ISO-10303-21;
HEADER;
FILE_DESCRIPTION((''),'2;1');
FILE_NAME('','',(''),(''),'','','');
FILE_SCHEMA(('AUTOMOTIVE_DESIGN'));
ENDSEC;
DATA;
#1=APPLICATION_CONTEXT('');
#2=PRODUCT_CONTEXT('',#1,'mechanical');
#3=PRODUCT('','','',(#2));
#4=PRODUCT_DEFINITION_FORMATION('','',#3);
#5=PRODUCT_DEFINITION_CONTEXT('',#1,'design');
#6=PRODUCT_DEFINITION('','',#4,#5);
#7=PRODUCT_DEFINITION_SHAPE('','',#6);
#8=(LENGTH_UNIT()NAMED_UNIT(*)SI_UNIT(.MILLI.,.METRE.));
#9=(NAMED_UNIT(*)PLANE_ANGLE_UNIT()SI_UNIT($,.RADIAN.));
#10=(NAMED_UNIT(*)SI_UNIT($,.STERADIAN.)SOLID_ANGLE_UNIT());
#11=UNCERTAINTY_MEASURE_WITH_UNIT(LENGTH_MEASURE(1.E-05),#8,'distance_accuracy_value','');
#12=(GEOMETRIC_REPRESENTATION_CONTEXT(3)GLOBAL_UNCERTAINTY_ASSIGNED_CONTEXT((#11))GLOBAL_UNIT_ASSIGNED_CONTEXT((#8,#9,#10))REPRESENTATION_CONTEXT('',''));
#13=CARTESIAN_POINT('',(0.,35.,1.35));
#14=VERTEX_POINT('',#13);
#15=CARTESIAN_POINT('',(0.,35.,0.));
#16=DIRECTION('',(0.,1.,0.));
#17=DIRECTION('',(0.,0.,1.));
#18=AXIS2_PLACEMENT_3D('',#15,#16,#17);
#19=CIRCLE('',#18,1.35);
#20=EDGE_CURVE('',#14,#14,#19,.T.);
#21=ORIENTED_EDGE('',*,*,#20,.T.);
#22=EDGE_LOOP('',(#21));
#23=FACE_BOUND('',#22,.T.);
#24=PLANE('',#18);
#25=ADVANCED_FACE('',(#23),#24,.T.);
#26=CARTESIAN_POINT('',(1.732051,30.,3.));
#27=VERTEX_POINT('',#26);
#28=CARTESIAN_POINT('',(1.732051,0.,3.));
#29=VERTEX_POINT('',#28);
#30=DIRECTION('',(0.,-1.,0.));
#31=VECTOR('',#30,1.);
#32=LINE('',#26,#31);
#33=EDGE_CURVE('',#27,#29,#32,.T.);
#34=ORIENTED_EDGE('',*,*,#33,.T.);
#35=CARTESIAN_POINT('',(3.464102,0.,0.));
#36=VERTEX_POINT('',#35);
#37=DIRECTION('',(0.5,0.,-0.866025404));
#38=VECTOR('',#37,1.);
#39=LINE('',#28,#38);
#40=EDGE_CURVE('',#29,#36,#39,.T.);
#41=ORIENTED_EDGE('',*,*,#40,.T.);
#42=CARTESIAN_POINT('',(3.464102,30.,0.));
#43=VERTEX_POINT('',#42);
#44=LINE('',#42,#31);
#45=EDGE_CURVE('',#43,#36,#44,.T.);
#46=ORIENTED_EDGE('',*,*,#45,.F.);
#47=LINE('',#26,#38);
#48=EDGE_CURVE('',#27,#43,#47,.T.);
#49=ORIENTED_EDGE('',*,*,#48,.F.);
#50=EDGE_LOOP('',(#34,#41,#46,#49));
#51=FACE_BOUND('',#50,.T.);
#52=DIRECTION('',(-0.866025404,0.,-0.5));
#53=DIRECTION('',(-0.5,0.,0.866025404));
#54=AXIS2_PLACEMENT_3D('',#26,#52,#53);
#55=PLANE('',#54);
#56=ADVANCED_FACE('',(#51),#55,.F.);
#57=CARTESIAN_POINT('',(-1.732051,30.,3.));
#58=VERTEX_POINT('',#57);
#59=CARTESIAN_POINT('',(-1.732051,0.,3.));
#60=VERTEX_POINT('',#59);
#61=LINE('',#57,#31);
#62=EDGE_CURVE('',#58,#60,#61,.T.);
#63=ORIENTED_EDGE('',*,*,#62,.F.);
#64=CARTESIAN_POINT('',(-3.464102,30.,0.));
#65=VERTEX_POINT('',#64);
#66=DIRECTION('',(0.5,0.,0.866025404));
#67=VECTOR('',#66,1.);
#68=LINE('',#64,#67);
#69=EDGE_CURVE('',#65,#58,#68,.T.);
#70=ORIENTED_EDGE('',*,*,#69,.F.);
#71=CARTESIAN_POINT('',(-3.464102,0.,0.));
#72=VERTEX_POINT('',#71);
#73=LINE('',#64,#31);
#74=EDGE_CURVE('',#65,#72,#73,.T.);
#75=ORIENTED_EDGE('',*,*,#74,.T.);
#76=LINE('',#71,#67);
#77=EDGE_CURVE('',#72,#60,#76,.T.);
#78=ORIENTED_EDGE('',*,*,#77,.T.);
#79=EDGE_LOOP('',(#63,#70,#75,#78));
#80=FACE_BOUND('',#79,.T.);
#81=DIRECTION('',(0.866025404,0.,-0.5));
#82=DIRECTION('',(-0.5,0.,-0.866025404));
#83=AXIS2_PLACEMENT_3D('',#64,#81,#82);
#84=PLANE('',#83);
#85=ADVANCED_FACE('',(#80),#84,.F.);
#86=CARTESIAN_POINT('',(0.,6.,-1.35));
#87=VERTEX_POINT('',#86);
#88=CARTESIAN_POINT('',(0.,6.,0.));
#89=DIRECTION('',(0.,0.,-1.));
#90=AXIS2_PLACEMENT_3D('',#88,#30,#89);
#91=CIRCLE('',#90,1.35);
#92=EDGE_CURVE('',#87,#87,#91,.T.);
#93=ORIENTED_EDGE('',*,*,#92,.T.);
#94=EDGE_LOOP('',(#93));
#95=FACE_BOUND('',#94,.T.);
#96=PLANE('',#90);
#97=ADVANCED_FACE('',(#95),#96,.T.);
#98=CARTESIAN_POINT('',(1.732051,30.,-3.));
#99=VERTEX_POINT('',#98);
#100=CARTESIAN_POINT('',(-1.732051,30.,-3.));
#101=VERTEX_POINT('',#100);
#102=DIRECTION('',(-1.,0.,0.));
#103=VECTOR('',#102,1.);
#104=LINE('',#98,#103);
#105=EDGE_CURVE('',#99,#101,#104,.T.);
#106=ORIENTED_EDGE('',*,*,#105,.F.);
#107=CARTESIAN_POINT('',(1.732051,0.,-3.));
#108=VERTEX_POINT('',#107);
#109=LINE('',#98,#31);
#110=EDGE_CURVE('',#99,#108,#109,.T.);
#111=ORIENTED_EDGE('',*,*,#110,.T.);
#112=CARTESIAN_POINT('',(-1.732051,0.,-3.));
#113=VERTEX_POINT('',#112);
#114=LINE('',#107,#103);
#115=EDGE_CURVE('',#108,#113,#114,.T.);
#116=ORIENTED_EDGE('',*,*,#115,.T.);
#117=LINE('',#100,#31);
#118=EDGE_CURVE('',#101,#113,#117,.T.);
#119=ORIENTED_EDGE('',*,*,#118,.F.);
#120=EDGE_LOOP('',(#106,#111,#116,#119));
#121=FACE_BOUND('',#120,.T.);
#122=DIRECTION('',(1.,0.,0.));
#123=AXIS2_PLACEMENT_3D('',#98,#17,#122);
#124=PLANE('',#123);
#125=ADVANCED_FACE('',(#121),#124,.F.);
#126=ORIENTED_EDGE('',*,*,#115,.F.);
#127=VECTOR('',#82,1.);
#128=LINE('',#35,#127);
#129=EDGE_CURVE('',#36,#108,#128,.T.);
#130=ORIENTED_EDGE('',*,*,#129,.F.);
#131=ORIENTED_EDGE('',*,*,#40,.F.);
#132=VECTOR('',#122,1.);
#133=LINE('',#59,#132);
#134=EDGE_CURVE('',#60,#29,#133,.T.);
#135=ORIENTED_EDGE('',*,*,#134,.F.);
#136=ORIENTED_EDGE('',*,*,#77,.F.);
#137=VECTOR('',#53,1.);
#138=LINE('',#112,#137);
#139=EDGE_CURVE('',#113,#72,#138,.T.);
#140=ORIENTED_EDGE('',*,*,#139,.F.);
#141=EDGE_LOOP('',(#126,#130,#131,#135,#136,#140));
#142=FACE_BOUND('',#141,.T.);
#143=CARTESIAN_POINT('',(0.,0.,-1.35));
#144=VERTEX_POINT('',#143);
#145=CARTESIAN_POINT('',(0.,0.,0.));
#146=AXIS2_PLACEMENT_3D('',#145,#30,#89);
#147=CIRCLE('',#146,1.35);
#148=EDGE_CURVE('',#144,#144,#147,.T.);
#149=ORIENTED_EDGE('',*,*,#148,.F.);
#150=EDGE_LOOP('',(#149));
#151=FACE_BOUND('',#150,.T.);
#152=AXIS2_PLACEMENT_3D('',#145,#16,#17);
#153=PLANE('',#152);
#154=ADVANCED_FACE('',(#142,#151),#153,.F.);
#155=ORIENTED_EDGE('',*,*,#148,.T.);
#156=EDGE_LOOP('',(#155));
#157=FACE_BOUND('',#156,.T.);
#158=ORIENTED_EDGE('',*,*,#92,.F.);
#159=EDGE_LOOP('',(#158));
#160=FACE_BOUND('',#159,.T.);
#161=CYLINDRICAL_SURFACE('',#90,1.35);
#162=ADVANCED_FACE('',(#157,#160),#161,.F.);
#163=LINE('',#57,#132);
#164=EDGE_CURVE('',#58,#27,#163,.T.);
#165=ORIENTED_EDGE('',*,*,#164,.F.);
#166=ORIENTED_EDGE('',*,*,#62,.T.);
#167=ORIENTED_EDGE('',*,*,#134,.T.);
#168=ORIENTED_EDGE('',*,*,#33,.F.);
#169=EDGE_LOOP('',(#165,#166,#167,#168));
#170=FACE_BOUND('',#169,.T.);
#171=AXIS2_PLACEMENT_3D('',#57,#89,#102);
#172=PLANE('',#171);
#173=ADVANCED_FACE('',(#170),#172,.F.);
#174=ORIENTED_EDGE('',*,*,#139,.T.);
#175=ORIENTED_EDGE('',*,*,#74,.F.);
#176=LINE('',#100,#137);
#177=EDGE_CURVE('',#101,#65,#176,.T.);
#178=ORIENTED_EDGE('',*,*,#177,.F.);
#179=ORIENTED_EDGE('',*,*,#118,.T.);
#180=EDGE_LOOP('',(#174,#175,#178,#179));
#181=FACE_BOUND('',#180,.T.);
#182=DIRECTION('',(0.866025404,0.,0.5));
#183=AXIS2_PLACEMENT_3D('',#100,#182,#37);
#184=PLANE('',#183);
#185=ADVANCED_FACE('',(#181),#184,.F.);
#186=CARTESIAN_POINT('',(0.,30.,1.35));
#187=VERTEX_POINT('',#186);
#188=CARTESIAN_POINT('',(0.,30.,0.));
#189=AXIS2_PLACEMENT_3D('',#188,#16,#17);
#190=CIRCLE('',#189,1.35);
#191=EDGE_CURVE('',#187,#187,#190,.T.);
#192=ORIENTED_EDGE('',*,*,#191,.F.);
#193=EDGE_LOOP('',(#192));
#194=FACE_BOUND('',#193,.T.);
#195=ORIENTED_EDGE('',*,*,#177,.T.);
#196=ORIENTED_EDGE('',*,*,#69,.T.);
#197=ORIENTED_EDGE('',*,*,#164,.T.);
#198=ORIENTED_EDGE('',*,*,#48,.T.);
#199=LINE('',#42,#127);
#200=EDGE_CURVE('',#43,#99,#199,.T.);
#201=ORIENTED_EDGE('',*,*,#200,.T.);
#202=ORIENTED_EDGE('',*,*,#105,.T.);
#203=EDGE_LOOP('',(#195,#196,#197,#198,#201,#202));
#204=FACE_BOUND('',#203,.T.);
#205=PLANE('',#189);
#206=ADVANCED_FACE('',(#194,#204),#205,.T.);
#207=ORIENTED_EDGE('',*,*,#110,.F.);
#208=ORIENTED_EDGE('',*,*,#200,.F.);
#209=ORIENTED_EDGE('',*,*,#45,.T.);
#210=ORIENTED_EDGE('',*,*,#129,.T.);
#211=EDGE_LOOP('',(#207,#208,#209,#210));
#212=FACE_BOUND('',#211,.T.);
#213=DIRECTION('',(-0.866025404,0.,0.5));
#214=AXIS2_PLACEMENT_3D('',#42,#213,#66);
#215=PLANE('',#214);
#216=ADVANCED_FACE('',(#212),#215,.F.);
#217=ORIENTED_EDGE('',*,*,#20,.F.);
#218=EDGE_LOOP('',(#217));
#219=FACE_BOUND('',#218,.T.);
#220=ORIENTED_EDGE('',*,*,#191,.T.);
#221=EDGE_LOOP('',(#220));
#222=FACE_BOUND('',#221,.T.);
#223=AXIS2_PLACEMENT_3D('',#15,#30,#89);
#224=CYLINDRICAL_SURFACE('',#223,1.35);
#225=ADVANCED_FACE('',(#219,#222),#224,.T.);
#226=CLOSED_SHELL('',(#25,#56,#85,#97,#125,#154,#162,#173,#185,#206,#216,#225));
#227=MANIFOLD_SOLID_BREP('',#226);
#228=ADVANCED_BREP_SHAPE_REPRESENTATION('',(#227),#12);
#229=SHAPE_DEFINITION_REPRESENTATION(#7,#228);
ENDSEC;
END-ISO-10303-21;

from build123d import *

# Parameters (mm, degrees)
EXTRUDE_1_DEPTH     = 30
SKETCH_2_R          = 1.35
EXTRUDE_2_DEPTH     = 5
SKETCH_3_R          = 1.35
CUT_EXTRUDE_1_DEPTH = 6


with BuildPart() as part:
    # 스케치1 → 보스-돌출1 (new body)
    with BuildSketch(Plane(origin=(0, 0, 0), x_dir=(1, 0, 0), z_dir=(0, 1, 0))):
        Polygon((3.464101615, 0), (1.732050808, 3), (-1.732050808, 3), (-3.464101615, 0), (-1.732050808, -3), (1.732050808, -3), align=None)
    extrude(amount=EXTRUDE_1_DEPTH)

    # 스케치2 → 보스-돌출2 (add)
    with BuildSketch(Plane(origin=(0, 30, 0), x_dir=(1, 0, 0), z_dir=(0, 1, 0))):
        with Locations(Location((0, 0, 0), (0, 0, 270))):
            Circle(SKETCH_2_R)
    extrude(amount=EXTRUDE_2_DEPTH)

    # 스케치3 → 컷-돌출1 (cut)
    with BuildSketch(Plane.XZ):
        with Locations(Location((0, 0, 0), (0, 0, 90))):
            Circle(SKETCH_3_R)
    extrude(amount=-CUT_EXTRUDE_1_DEPTH, mode=Mode.SUBTRACT)


solid = part.part
